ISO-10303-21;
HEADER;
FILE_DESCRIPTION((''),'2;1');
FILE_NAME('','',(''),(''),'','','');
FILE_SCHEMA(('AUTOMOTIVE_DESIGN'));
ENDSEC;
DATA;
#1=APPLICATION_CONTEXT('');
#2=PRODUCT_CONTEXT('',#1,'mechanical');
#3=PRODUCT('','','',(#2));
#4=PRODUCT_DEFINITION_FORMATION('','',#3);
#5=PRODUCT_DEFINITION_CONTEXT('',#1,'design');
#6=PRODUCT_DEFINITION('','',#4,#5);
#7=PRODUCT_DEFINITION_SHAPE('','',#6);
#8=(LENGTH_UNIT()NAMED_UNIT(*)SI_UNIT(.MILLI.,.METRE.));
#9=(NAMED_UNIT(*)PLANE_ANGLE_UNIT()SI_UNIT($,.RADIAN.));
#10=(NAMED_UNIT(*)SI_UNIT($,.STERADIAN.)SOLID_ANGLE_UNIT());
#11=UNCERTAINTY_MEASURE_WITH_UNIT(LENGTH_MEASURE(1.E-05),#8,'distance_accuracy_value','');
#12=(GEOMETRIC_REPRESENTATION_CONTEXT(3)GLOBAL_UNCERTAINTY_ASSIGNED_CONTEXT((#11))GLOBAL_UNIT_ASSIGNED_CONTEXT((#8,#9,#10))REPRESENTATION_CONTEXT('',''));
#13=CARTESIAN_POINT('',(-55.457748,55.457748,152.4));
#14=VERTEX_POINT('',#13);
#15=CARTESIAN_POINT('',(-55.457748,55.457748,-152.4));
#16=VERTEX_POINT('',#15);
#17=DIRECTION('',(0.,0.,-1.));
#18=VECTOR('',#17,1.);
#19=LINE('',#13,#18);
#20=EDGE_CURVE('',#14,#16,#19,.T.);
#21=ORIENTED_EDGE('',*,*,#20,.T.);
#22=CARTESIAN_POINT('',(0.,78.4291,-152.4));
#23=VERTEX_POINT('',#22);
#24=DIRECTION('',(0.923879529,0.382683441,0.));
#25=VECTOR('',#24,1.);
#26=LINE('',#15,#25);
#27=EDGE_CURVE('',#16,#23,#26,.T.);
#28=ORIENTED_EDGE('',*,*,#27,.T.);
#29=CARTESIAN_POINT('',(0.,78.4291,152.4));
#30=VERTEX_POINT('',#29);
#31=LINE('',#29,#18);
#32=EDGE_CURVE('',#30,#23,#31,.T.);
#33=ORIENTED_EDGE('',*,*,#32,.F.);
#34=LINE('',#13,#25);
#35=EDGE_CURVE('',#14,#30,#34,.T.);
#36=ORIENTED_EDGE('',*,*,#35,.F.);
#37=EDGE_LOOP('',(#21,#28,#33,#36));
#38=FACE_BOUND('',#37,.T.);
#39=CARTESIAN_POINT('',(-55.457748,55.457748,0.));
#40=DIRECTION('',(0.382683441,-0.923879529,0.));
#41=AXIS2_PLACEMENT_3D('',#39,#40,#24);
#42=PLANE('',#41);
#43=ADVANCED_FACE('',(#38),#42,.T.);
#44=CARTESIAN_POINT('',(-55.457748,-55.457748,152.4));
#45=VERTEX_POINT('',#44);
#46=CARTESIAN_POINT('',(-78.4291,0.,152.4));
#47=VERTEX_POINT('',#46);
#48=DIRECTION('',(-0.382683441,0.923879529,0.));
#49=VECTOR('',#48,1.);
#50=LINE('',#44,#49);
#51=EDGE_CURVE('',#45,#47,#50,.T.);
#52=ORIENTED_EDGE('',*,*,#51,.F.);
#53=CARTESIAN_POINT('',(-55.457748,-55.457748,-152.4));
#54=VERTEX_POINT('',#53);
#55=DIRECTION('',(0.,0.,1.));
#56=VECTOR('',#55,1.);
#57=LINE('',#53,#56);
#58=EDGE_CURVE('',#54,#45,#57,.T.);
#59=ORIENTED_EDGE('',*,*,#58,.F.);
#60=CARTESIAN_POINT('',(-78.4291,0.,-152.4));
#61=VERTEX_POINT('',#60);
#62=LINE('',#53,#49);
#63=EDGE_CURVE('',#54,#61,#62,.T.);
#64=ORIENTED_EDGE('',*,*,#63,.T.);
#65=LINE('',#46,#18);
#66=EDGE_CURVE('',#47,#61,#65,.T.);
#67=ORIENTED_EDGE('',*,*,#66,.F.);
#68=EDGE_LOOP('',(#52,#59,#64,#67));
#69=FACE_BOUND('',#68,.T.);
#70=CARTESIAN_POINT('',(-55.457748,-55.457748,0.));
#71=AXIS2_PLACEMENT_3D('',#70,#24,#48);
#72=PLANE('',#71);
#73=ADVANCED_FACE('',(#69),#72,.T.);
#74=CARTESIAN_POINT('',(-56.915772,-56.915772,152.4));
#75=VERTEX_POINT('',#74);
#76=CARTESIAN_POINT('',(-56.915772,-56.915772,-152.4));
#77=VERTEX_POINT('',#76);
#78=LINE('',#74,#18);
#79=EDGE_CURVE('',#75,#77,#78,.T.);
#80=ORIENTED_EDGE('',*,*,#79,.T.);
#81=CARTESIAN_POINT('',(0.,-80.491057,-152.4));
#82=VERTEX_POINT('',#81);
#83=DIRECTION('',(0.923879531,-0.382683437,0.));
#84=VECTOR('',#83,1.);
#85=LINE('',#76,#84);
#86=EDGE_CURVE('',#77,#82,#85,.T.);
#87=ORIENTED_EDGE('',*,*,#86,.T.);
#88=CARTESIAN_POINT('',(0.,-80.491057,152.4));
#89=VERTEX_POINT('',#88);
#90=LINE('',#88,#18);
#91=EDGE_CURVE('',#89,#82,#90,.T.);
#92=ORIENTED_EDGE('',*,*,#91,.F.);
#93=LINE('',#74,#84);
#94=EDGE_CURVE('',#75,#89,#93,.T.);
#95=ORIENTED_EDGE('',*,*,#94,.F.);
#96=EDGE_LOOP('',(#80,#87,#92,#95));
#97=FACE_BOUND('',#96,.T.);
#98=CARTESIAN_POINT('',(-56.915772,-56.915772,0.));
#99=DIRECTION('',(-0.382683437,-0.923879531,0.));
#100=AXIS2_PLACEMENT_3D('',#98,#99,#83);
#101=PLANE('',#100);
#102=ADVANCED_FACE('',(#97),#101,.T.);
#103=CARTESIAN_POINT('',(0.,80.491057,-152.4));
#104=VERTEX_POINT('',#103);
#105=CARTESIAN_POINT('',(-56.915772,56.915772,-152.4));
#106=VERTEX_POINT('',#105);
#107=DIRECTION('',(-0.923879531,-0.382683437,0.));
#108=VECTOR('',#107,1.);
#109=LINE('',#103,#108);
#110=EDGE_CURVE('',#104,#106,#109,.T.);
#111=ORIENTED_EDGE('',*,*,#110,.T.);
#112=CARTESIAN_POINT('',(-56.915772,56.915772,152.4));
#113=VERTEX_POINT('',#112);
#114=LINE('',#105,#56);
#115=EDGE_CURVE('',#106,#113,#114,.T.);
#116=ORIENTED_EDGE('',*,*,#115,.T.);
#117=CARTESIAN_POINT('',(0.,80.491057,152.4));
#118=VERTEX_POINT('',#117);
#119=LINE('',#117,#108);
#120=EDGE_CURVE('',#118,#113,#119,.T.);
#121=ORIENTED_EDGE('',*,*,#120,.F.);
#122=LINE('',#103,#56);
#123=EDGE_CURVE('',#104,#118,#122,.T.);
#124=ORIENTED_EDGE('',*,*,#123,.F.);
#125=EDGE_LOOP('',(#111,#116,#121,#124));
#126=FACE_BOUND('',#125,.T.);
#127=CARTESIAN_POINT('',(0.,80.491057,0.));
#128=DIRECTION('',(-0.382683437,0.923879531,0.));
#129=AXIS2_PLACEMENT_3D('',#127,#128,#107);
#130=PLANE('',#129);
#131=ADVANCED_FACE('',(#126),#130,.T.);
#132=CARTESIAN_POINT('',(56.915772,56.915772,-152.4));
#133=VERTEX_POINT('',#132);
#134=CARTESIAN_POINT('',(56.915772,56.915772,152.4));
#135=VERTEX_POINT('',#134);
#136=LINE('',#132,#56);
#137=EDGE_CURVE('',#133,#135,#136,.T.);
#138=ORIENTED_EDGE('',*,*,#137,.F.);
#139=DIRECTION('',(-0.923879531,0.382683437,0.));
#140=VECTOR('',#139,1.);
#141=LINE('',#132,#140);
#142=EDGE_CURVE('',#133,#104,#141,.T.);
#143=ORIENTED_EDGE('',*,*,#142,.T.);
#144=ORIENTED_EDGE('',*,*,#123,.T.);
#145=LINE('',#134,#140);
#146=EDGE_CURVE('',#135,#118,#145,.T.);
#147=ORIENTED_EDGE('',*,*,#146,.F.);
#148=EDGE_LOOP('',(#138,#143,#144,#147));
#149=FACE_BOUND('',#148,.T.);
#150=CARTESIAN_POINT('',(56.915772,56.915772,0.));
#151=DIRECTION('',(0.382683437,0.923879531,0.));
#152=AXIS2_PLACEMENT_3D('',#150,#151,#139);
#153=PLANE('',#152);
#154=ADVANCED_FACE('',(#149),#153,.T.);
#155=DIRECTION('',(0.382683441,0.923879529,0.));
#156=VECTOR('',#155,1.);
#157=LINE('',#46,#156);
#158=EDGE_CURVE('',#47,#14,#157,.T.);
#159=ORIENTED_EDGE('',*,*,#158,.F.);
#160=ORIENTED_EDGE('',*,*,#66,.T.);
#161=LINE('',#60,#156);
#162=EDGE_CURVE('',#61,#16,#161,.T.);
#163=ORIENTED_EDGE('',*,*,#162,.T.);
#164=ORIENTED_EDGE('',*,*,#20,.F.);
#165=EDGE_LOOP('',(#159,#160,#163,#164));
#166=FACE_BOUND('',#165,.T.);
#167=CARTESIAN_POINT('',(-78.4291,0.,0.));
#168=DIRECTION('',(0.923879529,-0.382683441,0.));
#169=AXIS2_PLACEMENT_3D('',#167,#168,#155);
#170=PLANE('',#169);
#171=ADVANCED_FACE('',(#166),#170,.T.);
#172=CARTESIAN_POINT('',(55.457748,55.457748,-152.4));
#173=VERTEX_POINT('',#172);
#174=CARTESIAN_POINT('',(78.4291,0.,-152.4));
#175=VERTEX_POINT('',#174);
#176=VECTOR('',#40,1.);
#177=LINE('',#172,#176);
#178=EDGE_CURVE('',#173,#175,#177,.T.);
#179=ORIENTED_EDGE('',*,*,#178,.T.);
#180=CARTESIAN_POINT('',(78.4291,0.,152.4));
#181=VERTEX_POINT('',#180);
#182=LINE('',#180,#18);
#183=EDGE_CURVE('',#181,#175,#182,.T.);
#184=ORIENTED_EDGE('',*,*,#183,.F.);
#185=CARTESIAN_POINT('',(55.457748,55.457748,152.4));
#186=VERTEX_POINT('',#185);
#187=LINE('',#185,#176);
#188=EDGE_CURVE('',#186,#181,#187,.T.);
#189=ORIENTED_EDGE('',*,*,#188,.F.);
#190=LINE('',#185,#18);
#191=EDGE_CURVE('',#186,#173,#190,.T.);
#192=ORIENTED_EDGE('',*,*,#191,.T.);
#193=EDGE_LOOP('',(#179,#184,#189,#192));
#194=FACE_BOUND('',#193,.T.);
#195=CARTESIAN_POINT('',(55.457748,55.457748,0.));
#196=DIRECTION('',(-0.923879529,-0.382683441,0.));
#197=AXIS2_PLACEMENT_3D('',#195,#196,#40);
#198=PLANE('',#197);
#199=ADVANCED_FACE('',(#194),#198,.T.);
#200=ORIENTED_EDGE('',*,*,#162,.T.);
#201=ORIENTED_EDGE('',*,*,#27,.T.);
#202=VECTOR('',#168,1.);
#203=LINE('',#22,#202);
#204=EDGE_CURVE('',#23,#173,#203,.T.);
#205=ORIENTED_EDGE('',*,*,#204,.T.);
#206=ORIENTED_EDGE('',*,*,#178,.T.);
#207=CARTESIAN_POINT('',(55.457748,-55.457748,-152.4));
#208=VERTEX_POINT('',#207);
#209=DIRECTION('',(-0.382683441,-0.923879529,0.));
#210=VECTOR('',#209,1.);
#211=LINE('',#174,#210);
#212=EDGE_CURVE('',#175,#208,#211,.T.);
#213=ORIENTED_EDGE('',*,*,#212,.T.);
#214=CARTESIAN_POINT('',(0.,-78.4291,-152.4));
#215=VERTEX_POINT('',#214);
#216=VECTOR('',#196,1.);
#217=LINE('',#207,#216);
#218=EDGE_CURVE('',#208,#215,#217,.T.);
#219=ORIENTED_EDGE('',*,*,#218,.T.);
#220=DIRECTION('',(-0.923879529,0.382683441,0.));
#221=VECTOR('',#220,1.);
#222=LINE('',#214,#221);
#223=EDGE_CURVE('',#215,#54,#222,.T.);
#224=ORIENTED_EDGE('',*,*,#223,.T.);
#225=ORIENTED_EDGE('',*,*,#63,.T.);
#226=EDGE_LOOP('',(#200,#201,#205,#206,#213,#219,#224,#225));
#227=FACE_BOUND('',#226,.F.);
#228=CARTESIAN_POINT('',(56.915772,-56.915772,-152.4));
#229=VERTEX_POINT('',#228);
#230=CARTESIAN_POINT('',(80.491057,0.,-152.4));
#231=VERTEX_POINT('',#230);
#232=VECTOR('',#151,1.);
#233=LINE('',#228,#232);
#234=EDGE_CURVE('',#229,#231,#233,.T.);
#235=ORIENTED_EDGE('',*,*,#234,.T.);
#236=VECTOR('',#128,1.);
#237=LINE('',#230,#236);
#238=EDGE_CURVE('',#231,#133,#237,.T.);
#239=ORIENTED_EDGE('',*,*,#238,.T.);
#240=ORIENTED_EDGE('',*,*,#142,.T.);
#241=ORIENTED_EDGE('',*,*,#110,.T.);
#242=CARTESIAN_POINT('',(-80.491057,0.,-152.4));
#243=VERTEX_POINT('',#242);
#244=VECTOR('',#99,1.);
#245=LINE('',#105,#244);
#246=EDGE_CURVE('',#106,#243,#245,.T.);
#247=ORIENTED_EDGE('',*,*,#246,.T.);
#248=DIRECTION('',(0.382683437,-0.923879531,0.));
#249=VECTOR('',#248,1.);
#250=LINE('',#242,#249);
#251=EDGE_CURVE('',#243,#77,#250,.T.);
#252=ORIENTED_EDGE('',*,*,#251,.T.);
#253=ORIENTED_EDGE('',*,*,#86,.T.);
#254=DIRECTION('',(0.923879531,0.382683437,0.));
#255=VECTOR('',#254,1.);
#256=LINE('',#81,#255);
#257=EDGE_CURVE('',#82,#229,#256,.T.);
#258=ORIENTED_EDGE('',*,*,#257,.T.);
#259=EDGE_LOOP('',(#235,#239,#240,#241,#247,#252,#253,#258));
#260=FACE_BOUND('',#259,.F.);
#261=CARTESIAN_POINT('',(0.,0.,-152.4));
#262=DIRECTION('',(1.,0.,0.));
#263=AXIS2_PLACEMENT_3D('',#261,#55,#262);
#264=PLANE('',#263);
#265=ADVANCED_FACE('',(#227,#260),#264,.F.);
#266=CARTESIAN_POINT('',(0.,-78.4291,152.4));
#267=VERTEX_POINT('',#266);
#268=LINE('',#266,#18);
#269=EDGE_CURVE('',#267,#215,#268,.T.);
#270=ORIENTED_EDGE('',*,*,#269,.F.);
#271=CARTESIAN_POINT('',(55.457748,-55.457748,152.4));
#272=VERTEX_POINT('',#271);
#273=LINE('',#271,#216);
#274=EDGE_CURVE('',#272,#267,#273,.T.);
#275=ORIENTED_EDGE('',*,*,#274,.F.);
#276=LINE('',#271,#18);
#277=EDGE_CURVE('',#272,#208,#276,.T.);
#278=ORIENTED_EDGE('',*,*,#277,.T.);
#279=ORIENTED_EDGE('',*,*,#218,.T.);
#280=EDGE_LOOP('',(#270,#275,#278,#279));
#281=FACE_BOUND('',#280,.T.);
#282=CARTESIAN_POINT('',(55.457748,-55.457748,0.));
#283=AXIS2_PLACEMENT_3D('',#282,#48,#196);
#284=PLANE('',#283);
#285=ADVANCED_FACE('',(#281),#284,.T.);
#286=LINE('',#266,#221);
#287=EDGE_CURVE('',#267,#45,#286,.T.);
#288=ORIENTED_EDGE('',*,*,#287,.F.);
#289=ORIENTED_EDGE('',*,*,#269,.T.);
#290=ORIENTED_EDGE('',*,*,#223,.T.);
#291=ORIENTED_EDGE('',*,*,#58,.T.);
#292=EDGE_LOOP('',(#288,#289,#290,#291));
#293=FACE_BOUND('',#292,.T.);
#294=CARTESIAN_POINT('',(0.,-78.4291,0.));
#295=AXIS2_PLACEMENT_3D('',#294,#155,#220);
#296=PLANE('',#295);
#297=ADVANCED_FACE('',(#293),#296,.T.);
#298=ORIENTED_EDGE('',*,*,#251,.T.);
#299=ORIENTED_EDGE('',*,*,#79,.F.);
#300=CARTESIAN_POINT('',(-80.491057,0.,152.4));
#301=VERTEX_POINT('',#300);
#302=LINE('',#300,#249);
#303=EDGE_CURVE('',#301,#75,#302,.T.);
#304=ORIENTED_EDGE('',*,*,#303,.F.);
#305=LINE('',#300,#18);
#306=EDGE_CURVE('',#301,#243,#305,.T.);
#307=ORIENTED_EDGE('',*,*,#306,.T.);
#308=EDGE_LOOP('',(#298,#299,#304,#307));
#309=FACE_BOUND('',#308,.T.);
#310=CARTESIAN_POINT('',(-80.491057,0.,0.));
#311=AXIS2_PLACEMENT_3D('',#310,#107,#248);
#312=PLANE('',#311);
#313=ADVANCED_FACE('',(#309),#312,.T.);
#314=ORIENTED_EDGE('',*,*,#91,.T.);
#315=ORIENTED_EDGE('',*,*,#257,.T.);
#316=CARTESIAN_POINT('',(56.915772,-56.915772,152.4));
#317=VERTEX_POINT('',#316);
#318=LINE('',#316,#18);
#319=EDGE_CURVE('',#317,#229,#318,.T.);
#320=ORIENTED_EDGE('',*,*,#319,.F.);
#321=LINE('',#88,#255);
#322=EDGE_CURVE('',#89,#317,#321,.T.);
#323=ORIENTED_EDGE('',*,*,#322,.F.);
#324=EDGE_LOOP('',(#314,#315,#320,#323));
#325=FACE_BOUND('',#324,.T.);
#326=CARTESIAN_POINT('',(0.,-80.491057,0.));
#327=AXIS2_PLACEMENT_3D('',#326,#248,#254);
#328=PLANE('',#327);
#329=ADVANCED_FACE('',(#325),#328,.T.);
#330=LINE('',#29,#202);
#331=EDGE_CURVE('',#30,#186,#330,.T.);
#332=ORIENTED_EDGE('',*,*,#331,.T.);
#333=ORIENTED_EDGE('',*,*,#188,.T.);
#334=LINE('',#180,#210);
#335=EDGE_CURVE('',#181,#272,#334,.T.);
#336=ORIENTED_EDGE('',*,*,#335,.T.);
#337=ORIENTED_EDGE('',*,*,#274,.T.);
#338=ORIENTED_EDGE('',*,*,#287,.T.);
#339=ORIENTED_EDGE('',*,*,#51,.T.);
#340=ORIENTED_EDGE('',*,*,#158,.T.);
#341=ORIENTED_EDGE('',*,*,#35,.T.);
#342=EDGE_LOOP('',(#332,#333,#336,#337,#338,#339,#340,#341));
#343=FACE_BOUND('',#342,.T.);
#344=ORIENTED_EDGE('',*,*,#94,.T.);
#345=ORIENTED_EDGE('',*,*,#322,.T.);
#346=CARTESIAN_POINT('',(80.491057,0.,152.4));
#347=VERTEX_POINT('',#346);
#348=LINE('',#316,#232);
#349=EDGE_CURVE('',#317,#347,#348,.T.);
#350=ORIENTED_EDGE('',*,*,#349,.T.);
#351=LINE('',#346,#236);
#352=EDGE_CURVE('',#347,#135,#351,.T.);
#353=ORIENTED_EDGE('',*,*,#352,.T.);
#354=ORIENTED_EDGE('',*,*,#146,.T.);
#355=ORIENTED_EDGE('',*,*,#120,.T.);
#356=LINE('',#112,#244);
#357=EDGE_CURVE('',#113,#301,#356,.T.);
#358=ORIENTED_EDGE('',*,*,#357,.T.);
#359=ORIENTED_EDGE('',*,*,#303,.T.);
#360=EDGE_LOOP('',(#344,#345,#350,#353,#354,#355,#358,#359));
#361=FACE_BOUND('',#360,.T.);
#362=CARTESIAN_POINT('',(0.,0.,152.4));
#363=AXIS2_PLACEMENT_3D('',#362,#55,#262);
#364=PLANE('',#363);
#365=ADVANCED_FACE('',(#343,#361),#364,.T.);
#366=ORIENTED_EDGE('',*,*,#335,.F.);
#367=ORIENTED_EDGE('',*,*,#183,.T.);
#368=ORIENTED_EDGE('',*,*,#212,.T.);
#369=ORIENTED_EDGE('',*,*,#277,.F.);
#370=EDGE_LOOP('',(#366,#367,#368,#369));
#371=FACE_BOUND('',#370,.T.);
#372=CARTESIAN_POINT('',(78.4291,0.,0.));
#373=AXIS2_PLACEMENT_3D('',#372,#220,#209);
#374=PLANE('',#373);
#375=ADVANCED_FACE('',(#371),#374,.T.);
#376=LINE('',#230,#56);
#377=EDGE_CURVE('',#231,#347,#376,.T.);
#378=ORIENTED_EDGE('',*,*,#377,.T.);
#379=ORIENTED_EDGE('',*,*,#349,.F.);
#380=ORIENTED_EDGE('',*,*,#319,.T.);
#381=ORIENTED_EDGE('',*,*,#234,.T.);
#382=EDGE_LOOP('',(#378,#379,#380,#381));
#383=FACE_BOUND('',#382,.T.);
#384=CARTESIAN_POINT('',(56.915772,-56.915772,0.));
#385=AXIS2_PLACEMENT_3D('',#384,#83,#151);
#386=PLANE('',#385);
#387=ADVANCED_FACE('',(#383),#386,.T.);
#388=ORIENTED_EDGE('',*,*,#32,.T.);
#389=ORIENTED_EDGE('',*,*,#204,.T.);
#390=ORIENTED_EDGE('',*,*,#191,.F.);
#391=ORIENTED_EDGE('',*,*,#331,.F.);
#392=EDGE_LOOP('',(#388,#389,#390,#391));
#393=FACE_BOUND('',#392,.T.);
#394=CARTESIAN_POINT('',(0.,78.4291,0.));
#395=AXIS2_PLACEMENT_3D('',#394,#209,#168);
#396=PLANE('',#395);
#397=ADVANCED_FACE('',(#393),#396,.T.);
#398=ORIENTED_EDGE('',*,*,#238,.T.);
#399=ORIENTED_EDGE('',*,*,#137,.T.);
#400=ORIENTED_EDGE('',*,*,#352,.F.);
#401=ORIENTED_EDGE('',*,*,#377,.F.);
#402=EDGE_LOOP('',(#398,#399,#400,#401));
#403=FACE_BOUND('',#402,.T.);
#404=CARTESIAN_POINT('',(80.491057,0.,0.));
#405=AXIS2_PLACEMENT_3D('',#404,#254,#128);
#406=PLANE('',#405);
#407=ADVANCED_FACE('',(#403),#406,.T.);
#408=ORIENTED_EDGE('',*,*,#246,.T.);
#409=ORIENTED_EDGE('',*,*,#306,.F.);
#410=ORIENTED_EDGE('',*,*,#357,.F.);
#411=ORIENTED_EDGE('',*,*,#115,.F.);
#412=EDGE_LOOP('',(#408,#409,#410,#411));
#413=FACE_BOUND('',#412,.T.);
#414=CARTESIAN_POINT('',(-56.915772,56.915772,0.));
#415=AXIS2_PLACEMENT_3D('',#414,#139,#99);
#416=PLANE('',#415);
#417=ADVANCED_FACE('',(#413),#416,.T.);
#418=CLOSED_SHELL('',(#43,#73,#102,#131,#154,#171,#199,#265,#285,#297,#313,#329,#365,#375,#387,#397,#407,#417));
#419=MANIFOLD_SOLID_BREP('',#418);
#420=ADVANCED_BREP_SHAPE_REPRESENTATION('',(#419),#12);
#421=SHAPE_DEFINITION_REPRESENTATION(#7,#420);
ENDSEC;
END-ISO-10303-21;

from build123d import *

# Parameters (mm, degrees)
F1_DEPTH = 152.4


with BuildPart() as f1:
    # F0 (on Top) → F1 (new body, symmetric)
    with BuildSketch(Plane.XY):
        Polygon((56.915772, -56.915772), (80.491057, 0), (56.915772, 56.915772), (0, 80.491057), (-56.915772, 56.915772), (-80.491057, 0), (-56.915772, -56.915772), (0, -80.491057), align=None)
        Polygon((-55.457748, -55.457748), (-78.4291, 0), (-55.457748, 55.457748), (0, 78.4291), (55.457748, 55.457748), (78.4291, 0), (55.457748, -55.457748), (0, -78.4291), align=None, mode=Mode.SUBTRACT)
    extrude(amount=F1_DEPTH, both=True)


solid = f1.part
